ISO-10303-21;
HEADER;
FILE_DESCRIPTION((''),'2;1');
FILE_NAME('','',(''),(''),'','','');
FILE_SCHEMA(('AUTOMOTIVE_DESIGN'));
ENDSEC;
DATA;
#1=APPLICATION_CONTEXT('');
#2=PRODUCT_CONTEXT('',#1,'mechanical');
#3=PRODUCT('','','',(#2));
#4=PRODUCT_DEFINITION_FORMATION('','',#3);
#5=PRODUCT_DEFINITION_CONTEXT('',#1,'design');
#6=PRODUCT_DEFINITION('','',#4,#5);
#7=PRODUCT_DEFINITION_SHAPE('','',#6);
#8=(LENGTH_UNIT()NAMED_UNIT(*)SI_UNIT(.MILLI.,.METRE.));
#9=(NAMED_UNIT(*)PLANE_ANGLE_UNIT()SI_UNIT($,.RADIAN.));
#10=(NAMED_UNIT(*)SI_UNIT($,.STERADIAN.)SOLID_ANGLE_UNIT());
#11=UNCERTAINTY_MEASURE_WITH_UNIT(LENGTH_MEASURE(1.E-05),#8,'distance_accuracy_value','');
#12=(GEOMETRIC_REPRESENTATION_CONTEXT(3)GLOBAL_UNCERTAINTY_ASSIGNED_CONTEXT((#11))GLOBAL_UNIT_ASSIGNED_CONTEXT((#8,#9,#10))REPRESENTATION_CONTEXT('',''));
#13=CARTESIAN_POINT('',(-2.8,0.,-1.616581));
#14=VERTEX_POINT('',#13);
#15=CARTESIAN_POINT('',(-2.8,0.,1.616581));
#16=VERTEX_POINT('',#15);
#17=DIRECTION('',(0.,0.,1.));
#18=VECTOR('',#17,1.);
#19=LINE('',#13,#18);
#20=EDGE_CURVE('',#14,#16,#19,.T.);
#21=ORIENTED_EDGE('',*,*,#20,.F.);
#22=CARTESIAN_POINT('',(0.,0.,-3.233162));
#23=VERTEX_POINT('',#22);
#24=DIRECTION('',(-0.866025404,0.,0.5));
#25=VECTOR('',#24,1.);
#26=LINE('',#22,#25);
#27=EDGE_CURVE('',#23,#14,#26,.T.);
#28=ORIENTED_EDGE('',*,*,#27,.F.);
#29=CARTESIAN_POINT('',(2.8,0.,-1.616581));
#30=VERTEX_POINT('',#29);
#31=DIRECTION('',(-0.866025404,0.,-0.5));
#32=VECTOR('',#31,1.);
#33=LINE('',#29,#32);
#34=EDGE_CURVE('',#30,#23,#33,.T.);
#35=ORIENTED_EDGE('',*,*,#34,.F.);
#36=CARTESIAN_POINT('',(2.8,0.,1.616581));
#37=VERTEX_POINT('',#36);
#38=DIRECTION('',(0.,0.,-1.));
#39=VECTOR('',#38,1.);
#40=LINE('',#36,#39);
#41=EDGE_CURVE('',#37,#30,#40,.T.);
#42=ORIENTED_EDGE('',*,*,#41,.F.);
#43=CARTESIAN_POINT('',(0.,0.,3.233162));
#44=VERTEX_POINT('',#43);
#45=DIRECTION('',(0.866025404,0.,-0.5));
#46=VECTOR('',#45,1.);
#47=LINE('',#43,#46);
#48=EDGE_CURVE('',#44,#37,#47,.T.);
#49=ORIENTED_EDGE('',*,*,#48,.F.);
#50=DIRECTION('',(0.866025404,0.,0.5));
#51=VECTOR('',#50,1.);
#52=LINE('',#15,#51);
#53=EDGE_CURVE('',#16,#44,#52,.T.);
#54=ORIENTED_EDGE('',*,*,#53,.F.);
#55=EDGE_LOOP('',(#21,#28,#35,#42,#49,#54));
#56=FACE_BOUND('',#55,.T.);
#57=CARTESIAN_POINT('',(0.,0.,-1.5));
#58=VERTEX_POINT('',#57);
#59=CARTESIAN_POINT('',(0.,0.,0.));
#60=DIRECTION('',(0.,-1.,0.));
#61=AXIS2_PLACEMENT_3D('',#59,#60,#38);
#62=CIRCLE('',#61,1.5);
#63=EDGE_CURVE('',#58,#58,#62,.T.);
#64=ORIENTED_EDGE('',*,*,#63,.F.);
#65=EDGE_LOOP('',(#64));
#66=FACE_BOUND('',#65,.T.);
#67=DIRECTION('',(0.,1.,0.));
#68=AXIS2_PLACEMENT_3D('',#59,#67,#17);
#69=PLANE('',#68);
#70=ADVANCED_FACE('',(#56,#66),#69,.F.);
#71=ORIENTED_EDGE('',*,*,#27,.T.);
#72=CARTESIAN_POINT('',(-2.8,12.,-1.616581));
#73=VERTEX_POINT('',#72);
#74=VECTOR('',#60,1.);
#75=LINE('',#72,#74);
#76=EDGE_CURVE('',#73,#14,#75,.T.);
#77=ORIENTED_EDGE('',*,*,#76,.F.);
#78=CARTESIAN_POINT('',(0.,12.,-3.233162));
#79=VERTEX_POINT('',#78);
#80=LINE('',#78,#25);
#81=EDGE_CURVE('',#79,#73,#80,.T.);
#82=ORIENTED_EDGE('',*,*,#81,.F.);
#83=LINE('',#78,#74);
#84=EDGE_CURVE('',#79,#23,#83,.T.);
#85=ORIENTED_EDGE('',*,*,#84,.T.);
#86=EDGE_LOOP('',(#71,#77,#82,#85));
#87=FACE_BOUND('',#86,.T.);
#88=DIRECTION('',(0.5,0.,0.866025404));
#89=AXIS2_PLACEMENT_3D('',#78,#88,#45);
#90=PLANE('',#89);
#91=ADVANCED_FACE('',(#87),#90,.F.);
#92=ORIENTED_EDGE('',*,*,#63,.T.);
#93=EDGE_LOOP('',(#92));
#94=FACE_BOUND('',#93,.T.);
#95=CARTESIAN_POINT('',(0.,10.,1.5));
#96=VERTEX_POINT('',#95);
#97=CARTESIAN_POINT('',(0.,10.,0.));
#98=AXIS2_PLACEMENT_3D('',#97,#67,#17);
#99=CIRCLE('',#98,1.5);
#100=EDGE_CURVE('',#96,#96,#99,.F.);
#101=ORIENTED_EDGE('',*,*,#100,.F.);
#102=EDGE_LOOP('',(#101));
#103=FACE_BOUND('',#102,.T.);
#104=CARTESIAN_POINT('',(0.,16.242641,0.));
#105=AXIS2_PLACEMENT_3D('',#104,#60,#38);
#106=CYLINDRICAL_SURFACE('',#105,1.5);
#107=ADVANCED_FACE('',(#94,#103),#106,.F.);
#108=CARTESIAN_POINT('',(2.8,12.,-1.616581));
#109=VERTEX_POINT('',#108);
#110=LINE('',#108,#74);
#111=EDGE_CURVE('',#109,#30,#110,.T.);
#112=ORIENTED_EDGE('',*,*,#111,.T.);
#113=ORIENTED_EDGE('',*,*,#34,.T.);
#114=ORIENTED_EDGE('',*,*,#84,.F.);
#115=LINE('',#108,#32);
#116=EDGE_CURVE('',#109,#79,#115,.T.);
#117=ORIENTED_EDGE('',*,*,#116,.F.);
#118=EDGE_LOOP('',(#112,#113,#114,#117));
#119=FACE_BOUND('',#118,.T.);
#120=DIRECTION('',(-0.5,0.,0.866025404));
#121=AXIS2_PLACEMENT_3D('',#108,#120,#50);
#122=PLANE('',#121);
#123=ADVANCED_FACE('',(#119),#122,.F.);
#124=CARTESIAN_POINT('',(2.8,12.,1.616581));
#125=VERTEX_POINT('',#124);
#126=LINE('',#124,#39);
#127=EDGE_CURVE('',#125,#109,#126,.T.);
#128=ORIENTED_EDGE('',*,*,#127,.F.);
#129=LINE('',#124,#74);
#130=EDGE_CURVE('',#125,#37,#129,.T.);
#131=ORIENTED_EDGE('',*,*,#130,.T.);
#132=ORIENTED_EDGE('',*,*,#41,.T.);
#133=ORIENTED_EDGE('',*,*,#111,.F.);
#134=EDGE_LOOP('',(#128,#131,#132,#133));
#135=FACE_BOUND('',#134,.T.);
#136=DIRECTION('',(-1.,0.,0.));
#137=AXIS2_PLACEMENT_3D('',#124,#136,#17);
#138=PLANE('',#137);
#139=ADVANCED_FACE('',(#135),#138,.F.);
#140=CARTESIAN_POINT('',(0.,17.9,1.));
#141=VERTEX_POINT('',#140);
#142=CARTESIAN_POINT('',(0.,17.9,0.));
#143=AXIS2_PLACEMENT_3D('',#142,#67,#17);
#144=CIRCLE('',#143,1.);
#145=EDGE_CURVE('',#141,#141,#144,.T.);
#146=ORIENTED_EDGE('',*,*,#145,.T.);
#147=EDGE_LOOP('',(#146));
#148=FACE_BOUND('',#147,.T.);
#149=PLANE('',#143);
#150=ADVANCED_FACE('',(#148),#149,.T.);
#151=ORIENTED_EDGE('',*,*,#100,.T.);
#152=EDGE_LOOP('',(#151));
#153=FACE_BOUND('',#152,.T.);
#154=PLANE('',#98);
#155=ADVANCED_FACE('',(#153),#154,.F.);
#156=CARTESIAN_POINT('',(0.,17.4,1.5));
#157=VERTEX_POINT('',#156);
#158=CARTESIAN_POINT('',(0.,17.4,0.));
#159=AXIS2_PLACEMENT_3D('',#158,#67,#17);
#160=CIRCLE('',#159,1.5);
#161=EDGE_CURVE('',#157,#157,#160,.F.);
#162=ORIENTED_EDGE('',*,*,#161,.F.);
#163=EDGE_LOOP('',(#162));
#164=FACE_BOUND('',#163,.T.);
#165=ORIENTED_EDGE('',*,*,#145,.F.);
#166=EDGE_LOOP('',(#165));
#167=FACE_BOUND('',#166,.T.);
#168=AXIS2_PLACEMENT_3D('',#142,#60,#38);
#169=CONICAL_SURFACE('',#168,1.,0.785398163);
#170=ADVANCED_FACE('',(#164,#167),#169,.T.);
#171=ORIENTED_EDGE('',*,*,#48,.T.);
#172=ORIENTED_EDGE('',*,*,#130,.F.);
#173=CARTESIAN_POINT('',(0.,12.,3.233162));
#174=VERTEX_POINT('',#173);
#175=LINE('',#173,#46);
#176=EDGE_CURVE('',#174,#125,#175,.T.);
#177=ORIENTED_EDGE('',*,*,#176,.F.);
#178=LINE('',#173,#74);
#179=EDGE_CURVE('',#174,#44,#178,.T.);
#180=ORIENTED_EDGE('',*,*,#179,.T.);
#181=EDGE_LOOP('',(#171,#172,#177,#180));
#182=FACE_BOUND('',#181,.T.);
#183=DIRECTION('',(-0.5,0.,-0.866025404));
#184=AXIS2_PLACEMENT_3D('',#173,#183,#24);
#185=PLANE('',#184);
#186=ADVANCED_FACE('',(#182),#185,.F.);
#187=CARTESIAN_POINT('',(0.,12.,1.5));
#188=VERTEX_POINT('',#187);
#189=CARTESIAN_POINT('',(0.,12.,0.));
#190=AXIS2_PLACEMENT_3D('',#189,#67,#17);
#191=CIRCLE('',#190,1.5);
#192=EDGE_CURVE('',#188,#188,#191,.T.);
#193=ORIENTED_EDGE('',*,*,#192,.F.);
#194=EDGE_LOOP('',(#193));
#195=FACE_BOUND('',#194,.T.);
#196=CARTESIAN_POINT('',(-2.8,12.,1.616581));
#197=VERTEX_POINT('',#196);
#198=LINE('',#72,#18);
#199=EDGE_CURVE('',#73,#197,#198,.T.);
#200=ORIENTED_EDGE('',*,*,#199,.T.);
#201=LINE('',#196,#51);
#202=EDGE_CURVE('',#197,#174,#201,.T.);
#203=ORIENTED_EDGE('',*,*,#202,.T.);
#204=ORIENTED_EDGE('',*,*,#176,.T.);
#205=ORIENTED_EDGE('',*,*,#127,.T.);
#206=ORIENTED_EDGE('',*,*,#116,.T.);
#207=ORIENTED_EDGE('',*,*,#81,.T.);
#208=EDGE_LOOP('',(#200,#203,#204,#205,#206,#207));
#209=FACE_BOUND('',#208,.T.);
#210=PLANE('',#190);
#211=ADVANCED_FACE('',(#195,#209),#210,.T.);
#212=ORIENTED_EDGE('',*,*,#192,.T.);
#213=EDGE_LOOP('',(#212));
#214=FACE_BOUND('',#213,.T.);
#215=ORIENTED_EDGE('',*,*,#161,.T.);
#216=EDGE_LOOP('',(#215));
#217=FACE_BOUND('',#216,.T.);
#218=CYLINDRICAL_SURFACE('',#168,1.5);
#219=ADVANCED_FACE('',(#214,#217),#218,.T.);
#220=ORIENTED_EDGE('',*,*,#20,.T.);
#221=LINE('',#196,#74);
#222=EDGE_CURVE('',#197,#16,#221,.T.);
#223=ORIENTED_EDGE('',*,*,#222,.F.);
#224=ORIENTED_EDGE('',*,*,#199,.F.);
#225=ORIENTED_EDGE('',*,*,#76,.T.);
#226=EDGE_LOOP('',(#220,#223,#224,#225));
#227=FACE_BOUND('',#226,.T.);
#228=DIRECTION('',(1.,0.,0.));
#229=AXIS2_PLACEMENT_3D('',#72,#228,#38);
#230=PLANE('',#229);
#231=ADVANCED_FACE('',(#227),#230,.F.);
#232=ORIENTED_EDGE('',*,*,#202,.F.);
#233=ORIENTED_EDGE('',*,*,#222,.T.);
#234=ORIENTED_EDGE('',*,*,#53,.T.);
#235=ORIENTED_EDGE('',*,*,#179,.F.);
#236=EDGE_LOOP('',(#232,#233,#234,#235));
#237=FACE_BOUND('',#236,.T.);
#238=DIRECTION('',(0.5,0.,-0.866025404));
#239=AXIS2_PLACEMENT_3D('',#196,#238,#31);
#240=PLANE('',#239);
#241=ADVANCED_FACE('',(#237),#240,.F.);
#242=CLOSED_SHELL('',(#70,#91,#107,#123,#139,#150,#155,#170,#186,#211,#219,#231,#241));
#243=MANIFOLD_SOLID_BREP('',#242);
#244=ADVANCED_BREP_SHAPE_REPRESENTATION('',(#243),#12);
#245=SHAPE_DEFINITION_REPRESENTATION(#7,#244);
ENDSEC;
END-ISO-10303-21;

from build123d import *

# Parameters (mm, degrees)
BOSS_EXTRUDE1_DEPTH = 12
SKETCH2_R           = 1.5
BOSS_EXTRUDE2_DEPTH = 5.9
SKETCH3_R           = 1.5
CUT_EXTRUDE1_DEPTH  = 10
CHAMFER1_SIZE       = 0.5


with BuildPart() as part:
    # Sketch1 → Boss-Extrude1 (new body)
    with BuildSketch(Plane(origin=(0, 0, 0), x_dir=(1, 0, 0), z_dir=(0, 1, 0))):
        Polygon((0, -3.233161507), (2.8, -1.616580754), (2.8, 1.616580754), (0, 3.233161507), (-2.8, 1.616580754), (-2.8, -1.616580754), align=None)
    extrude(amount=BOSS_EXTRUDE1_DEPTH)

    # Sketch2 → Boss-Extrude2 (add)
    with BuildSketch(Plane(origin=(0, 12, 0), x_dir=(1, 0, 0), z_dir=(0, 1, 0))):
        Circle(SKETCH2_R)
    extrude(amount=BOSS_EXTRUDE2_DEPTH)

    # Sketch3 → Cut-Extrude1 (cut)
    with BuildSketch(Plane.XZ):
        Circle(SKETCH3_R)
    extrude(amount=-CUT_EXTRUDE1_DEPTH, mode=Mode.SUBTRACT)

    # Chamfer1
    chamfer1_edges = [part.edges().sort_by_distance(p)[0] for p in [
        (-1.5, 17.9, 0),
    ]]
    chamfer(chamfer1_edges, length=CHAMFER1_SIZE)


solid = part.part
